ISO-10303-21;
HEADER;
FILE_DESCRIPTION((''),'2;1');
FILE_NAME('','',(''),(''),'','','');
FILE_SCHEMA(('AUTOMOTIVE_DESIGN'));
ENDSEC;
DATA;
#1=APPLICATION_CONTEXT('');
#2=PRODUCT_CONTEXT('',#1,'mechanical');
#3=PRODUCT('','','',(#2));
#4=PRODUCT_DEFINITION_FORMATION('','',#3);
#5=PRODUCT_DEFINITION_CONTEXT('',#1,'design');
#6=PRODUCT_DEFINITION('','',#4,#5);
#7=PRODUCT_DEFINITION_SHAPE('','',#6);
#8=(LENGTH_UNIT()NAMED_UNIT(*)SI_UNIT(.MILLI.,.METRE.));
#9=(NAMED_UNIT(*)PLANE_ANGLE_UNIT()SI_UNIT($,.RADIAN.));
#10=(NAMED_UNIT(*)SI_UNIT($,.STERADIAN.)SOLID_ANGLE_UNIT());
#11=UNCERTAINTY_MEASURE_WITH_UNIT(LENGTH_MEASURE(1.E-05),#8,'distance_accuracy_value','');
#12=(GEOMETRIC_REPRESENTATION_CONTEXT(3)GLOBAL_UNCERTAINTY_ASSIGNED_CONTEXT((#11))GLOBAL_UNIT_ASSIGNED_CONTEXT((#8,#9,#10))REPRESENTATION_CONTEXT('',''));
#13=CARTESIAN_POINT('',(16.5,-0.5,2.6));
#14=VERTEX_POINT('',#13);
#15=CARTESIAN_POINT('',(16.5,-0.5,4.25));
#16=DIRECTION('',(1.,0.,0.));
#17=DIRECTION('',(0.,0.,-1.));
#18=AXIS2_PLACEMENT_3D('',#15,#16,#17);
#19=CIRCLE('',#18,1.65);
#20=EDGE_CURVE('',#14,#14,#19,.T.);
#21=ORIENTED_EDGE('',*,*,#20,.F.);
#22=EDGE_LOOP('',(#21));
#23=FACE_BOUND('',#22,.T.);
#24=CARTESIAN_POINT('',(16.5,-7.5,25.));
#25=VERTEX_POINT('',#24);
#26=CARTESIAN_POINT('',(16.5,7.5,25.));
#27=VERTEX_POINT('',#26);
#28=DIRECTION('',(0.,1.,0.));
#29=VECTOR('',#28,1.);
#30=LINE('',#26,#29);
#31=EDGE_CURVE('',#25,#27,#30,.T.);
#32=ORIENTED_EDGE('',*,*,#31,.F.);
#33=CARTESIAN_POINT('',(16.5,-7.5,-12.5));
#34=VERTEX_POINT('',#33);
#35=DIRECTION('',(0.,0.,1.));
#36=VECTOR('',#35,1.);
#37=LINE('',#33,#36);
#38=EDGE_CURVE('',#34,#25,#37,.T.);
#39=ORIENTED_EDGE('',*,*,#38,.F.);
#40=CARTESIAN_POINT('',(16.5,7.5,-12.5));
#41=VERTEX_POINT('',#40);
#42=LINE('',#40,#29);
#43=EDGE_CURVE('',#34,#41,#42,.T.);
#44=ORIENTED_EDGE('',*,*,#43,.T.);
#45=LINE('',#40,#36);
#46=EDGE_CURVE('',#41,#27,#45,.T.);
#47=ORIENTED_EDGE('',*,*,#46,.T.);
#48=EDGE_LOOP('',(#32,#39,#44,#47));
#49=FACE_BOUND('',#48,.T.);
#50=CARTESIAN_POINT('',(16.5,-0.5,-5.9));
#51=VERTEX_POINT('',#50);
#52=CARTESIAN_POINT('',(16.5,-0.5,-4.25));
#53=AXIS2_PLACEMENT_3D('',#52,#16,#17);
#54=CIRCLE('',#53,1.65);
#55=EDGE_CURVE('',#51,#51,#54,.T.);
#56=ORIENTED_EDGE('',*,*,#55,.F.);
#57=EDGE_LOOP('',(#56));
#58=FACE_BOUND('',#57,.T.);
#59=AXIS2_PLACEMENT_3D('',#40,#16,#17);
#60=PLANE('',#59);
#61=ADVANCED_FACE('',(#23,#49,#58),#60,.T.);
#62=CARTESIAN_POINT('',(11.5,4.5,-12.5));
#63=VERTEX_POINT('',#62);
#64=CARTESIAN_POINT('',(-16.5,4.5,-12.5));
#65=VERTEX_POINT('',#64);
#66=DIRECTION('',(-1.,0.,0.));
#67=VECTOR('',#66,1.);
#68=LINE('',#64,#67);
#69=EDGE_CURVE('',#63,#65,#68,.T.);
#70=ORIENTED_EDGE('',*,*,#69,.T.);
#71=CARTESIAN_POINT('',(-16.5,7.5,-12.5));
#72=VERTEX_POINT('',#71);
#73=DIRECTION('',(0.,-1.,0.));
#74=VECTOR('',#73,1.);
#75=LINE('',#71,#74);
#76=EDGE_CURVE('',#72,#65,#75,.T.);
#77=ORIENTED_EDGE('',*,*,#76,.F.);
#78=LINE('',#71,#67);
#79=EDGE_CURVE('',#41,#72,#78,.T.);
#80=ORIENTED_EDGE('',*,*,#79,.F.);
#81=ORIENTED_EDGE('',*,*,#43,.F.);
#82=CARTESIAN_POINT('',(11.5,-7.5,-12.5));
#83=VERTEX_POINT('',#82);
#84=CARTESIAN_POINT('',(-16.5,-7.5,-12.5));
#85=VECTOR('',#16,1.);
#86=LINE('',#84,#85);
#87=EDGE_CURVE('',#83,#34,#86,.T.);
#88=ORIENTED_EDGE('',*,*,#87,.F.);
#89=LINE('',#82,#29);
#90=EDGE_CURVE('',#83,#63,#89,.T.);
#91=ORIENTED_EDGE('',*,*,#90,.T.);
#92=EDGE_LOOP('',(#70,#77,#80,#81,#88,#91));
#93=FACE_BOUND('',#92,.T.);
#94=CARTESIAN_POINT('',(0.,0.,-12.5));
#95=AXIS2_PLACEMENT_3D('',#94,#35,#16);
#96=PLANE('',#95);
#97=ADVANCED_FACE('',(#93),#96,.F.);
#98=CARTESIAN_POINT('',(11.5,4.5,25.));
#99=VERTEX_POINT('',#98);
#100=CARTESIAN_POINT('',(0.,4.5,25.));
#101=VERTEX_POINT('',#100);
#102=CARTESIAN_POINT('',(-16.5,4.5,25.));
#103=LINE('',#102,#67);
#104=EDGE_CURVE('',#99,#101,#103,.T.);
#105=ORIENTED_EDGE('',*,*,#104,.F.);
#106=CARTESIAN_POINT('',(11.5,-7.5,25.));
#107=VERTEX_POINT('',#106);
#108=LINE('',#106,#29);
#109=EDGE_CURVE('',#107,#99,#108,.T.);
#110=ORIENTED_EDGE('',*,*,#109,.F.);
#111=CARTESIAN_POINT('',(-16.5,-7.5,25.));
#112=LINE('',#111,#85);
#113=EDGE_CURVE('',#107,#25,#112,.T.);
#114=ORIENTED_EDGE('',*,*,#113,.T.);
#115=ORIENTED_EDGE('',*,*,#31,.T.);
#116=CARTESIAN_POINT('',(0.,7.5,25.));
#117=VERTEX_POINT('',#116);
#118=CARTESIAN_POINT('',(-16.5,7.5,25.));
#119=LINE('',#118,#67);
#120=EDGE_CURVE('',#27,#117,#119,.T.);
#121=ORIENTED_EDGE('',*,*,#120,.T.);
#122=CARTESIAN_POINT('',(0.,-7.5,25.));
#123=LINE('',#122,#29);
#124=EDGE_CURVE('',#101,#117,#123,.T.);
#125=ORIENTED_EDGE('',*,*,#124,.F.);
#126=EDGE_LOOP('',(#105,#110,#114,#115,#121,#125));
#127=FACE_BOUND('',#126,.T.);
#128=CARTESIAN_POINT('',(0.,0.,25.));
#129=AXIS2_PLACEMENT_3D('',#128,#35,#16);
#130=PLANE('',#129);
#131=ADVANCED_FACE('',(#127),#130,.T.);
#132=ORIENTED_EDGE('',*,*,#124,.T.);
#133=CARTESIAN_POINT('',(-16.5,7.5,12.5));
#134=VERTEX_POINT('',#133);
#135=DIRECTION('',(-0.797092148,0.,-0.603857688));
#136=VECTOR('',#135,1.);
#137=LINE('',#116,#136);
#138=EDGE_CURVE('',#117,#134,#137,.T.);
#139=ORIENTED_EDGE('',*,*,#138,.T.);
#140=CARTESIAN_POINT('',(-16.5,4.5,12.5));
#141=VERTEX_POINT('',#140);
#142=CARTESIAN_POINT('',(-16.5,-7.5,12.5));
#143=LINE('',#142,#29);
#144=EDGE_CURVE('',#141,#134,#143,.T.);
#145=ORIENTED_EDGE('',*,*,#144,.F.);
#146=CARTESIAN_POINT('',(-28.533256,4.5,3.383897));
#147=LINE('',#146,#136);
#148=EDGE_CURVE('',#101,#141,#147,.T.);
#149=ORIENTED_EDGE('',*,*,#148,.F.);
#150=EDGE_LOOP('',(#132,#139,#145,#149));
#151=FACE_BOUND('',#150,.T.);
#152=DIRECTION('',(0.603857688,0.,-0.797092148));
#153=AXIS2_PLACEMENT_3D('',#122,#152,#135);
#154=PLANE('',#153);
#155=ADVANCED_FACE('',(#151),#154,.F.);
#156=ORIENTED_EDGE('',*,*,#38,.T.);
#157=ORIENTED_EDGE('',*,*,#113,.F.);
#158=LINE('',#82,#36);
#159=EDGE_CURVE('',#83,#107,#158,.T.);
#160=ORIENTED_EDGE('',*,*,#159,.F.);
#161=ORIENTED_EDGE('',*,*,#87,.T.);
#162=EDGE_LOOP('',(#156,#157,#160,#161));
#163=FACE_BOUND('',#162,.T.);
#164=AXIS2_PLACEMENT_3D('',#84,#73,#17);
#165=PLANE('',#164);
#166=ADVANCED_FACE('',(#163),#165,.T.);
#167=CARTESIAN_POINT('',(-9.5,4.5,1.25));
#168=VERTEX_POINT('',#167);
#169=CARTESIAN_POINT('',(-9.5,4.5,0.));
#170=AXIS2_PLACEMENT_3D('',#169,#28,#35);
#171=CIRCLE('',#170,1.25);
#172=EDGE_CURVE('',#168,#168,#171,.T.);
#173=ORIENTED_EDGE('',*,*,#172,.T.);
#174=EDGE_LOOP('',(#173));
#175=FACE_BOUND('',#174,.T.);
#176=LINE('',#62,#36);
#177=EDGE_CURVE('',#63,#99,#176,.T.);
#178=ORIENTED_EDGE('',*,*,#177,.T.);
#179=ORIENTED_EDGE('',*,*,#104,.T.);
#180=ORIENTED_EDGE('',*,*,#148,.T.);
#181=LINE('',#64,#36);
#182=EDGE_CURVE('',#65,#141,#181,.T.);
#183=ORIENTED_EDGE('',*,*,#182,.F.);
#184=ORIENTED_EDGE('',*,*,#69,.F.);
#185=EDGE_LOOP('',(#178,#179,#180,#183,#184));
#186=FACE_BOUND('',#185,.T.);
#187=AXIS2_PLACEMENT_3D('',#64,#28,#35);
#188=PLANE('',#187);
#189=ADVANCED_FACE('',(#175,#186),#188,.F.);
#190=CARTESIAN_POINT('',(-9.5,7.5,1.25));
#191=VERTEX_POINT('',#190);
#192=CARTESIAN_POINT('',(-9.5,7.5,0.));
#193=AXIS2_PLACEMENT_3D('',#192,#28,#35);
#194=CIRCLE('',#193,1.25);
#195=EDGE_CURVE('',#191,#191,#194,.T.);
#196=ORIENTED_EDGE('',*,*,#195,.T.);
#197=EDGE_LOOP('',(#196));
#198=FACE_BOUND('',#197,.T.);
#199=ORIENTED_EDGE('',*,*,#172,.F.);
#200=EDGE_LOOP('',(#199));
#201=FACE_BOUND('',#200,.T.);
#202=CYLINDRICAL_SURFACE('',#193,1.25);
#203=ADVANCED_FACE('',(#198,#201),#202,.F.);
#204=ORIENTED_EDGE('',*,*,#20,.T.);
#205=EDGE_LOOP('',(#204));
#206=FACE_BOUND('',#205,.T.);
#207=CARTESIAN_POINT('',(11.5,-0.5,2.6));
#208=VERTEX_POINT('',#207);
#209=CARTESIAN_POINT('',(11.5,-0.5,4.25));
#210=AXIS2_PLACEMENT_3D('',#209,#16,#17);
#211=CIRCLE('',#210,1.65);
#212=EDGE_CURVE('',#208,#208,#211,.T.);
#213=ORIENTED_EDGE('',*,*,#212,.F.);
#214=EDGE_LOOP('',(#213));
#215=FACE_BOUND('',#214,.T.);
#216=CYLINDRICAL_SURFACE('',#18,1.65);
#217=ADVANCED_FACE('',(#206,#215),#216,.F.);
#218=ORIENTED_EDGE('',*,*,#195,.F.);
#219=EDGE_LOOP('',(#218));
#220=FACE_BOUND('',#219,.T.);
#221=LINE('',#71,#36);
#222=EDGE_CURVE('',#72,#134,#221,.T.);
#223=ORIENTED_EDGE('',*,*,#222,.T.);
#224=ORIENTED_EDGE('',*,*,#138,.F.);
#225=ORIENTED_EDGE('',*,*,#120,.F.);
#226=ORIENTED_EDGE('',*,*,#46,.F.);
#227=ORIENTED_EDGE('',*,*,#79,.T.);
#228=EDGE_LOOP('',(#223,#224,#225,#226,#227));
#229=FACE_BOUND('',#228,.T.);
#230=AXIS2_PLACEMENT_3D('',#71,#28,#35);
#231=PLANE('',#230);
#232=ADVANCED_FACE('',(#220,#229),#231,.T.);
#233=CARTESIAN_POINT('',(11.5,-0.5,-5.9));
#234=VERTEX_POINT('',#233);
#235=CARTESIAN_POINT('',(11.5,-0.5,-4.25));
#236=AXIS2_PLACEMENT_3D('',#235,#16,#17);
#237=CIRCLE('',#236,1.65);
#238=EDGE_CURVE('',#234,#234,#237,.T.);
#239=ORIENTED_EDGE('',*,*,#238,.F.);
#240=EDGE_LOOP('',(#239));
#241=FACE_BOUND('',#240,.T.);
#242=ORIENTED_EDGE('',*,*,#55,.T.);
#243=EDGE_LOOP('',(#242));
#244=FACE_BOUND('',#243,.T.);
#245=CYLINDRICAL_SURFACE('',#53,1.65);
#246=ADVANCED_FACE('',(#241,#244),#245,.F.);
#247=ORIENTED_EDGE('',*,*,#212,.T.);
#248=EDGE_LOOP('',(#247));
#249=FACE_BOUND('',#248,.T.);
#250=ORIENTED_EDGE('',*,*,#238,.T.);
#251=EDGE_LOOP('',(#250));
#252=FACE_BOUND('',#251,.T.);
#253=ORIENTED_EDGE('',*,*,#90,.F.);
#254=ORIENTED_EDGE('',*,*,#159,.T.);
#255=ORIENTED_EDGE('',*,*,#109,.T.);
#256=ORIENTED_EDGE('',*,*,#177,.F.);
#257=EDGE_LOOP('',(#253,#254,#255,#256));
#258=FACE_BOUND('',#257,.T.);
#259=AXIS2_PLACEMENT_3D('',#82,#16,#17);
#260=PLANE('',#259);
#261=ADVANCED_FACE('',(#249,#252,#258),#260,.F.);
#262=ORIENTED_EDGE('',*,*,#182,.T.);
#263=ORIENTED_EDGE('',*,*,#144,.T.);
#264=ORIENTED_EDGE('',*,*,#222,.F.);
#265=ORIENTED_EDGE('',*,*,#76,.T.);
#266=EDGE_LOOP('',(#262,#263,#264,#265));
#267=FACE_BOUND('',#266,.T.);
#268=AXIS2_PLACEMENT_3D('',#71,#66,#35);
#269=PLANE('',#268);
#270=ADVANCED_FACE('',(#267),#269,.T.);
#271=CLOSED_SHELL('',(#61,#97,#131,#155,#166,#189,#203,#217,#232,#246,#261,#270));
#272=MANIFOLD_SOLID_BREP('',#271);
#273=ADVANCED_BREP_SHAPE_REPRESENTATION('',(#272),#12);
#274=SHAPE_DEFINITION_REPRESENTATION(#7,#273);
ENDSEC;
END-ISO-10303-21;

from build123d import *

# Parameters (mm, degrees)
AUFSATZ_LINEAR_AUSTRAGEN1_DEPTH      = 25
AUFSATZ_LINEAR_AUSTRAGEN1_DEPTH_BACK = 12.5
SKIZZE1_W                            = 33
SKIZZE1_H                            = 15
SKIZZE2_W                            = 28
SKIZZE2_H                            = 12
SCHNITT_LINEAR_AUSTRAGEN1_DEPTH      = 42.650330131
M3_GEWINDEBOHRUNG1_D                 = 2.5
M4_GEWINDEBOHRUNG1_D                 = 3.3
SCHNITT_LINEAR_AUSTRAGEN2_DEPTH      = 34.5


with BuildPart() as part:
    # Skizze1 → Aufsatz-Linear austragen1 (new, two sides: drawn at the far end of the back side and taken through both)
    with BuildSketch(Plane.XY.offset(-AUFSATZ_LINEAR_AUSTRAGEN1_DEPTH_BACK)):
        Rectangle(SKIZZE1_W, SKIZZE1_H)
    extrude(amount=AUFSATZ_LINEAR_AUSTRAGEN1_DEPTH + AUFSATZ_LINEAR_AUSTRAGEN1_DEPTH_BACK)

    # Skizze2 → Schnitt-Linear austragen1 (cut, through all)
    with BuildSketch(Plane.XY.offset(25)):
        with Locations((-2.5, -1.5)):
            Rectangle(SKIZZE2_W, SKIZZE2_H)
    extrude(amount=-SCHNITT_LINEAR_AUSTRAGEN1_DEPTH, mode=Mode.SUBTRACT)

    # M3 Gewindebohrung1 (through all)
    with Locations(Plane(origin=(0, 7.5, 0), x_dir=(1, 0, 0), z_dir=(0, 1, 0))):
        with Locations((-9.5, 0)):
            Hole(M3_GEWINDEBOHRUNG1_D / 2)

    # M4 Gewindebohrung1 (through all)
    with Locations(Plane(origin=(16.5, 0, 0), x_dir=(0, 0, -1), z_dir=(1, 0, 0))):
        with Locations((-4.25, -0.5), (4.25, -0.5)):
            Hole(M4_GEWINDEBOHRUNG1_D / 2)

    # Skizze7 → Schnitt-Linear austragen2 (cut, through all)
    with BuildSketch(Plane(origin=(0, 7.5, 0), x_dir=(1, 0, 0), z_dir=(0, 1, 0))):
        Polygon((0, -25), (-16.5, -12.5), (-16.5, -25), align=None)
    extrude(amount=-SCHNITT_LINEAR_AUSTRAGEN2_DEPTH, mode=Mode.SUBTRACT)


solid = part.part
